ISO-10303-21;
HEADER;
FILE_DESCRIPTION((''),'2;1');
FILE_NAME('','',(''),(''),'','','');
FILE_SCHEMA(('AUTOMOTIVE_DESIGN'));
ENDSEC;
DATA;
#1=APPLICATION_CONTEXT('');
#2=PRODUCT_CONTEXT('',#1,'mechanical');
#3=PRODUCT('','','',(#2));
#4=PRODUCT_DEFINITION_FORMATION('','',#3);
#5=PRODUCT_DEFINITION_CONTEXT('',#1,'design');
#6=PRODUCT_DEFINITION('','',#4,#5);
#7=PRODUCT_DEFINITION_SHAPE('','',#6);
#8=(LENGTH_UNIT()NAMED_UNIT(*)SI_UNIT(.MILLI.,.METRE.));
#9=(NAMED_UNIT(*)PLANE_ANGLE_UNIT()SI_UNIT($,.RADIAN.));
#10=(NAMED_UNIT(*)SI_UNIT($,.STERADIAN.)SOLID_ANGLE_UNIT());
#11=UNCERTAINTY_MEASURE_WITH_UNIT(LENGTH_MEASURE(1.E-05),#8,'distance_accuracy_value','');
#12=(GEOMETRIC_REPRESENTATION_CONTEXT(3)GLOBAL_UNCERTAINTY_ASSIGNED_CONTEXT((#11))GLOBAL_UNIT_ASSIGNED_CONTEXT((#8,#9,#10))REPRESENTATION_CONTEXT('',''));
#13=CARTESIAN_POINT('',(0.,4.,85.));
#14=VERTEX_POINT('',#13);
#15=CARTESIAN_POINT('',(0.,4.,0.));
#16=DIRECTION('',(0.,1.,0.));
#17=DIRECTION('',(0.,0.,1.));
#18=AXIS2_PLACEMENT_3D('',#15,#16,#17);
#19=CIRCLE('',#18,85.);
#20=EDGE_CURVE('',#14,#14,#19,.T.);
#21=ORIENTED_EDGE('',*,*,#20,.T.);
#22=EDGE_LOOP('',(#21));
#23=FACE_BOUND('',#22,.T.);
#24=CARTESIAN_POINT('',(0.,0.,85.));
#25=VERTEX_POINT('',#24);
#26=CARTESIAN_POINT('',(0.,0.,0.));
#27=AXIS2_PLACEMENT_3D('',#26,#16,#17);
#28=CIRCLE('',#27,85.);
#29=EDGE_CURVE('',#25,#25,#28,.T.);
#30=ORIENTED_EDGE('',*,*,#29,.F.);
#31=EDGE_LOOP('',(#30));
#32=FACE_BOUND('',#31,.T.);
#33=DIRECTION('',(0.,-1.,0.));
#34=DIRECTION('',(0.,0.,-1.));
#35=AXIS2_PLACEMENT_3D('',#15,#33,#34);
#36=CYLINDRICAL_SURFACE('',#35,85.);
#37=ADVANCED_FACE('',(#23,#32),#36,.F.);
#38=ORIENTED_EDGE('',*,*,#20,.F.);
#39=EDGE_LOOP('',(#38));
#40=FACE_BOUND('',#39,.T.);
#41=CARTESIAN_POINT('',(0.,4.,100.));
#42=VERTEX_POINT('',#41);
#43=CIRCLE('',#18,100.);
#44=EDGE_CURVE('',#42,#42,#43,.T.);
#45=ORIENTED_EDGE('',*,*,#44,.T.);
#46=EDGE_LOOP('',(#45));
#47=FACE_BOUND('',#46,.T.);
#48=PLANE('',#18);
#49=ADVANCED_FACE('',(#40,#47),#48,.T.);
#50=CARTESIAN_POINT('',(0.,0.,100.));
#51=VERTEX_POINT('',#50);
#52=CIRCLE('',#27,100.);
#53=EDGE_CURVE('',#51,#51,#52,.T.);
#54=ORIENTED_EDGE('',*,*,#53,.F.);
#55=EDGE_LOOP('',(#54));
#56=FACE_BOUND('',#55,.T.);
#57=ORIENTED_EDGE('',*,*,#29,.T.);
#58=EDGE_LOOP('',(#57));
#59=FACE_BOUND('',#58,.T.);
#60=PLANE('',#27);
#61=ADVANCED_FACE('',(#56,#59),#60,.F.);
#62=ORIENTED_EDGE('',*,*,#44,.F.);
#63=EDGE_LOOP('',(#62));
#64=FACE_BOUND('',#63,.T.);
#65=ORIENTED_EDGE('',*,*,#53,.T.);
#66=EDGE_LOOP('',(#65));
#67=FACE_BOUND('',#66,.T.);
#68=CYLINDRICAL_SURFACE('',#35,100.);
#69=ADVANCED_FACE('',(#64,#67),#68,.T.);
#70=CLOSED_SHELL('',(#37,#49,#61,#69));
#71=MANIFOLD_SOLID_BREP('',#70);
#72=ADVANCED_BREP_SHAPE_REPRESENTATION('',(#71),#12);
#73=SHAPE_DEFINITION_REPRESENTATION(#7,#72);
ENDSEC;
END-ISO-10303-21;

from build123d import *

# Parameters (mm, degrees)
ESBO_O1_R                = 100
ESBO_O1_R_2              = 85
RESSALTO_EXTRUS_O1_DEPTH = 4


with BuildPart() as part:
    # Esboço1 → Ressalto-extrusão1 (new body)
    with BuildSketch(Plane(origin=(0, 0, 0), x_dir=(1, 0, 0), z_dir=(0, 1, 0))):
        Circle(ESBO_O1_R)
        Circle(ESBO_O1_R_2, mode=Mode.SUBTRACT)
    extrude(amount=RESSALTO_EXTRUS_O1_DEPTH)


solid = part.part
